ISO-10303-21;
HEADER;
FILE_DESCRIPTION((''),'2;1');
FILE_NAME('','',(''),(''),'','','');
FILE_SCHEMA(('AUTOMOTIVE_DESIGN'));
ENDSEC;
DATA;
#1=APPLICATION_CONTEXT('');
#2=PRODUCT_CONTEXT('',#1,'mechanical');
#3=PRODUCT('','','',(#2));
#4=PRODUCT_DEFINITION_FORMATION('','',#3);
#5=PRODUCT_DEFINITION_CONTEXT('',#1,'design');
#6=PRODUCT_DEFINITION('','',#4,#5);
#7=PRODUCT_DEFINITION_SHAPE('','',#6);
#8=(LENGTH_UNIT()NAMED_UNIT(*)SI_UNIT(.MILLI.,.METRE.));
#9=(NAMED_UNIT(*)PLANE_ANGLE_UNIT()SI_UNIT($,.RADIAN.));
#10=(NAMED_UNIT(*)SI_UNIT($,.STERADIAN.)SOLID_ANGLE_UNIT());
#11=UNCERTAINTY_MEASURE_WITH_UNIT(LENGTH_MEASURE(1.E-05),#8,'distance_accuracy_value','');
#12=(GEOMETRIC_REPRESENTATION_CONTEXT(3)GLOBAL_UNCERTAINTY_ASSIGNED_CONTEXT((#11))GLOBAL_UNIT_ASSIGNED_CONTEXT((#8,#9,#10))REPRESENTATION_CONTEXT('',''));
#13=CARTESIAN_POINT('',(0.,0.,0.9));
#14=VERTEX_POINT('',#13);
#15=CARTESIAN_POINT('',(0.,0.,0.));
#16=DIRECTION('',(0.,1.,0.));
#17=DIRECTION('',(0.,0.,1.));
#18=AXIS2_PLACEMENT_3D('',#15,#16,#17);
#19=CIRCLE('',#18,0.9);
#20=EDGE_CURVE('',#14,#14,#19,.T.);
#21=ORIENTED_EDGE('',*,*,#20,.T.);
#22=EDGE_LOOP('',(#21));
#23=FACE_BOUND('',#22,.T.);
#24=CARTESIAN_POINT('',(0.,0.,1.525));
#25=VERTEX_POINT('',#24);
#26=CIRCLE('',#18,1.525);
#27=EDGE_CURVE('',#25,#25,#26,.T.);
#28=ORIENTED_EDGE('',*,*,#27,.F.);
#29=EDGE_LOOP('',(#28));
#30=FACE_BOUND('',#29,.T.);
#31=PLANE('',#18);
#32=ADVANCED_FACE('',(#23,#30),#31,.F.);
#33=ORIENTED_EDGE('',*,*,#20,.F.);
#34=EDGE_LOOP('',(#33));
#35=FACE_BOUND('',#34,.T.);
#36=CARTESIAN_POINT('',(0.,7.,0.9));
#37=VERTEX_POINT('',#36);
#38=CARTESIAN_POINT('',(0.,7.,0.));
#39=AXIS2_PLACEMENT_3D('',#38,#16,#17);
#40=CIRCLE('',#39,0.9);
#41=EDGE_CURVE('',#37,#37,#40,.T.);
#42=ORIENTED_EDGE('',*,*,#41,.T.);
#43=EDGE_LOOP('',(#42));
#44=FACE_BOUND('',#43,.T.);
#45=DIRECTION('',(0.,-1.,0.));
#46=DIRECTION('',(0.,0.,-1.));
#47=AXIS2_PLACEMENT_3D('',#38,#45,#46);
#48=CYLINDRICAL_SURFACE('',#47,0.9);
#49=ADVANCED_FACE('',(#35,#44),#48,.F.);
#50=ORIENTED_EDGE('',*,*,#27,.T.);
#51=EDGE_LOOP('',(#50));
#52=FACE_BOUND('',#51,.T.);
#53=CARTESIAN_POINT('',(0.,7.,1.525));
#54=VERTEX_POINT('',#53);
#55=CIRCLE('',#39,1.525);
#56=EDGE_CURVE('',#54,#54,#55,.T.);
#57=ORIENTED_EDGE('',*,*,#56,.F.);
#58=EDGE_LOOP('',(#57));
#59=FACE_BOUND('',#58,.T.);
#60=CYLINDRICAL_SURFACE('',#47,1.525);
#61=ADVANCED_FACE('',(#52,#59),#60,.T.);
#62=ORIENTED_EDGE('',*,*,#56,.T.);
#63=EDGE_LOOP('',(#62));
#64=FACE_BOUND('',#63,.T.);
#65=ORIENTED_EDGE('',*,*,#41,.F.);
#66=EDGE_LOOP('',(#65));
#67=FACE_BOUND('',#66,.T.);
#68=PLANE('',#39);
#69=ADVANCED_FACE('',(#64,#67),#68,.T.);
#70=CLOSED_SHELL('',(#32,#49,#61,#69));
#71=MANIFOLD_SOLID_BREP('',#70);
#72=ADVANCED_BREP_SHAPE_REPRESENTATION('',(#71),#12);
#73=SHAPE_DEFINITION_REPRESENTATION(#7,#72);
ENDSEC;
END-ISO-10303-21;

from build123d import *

# Parameters (mm, degrees)
CROQUIS_BASE_R          = 1.525
CROQUIS_BASE_R_2        = 0.9
SALIENTE_EXTRUIR1_DEPTH = 7


with BuildPart() as part:
    # Croquis base → Saliente-Extruir1 (new body)
    with BuildSketch(Plane(origin=(0, 0, 0), x_dir=(1, 0, 0), z_dir=(0, 1, 0))):
        with Locations(Location((0, 0, 0), (0, 0, 270))):
            Circle(CROQUIS_BASE_R)
        with Locations(Location((0, 0, 0), (0, 0, 270))):
            Circle(CROQUIS_BASE_R_2, mode=Mode.SUBTRACT)
    extrude(amount=SALIENTE_EXTRUIR1_DEPTH)


solid = part.part
